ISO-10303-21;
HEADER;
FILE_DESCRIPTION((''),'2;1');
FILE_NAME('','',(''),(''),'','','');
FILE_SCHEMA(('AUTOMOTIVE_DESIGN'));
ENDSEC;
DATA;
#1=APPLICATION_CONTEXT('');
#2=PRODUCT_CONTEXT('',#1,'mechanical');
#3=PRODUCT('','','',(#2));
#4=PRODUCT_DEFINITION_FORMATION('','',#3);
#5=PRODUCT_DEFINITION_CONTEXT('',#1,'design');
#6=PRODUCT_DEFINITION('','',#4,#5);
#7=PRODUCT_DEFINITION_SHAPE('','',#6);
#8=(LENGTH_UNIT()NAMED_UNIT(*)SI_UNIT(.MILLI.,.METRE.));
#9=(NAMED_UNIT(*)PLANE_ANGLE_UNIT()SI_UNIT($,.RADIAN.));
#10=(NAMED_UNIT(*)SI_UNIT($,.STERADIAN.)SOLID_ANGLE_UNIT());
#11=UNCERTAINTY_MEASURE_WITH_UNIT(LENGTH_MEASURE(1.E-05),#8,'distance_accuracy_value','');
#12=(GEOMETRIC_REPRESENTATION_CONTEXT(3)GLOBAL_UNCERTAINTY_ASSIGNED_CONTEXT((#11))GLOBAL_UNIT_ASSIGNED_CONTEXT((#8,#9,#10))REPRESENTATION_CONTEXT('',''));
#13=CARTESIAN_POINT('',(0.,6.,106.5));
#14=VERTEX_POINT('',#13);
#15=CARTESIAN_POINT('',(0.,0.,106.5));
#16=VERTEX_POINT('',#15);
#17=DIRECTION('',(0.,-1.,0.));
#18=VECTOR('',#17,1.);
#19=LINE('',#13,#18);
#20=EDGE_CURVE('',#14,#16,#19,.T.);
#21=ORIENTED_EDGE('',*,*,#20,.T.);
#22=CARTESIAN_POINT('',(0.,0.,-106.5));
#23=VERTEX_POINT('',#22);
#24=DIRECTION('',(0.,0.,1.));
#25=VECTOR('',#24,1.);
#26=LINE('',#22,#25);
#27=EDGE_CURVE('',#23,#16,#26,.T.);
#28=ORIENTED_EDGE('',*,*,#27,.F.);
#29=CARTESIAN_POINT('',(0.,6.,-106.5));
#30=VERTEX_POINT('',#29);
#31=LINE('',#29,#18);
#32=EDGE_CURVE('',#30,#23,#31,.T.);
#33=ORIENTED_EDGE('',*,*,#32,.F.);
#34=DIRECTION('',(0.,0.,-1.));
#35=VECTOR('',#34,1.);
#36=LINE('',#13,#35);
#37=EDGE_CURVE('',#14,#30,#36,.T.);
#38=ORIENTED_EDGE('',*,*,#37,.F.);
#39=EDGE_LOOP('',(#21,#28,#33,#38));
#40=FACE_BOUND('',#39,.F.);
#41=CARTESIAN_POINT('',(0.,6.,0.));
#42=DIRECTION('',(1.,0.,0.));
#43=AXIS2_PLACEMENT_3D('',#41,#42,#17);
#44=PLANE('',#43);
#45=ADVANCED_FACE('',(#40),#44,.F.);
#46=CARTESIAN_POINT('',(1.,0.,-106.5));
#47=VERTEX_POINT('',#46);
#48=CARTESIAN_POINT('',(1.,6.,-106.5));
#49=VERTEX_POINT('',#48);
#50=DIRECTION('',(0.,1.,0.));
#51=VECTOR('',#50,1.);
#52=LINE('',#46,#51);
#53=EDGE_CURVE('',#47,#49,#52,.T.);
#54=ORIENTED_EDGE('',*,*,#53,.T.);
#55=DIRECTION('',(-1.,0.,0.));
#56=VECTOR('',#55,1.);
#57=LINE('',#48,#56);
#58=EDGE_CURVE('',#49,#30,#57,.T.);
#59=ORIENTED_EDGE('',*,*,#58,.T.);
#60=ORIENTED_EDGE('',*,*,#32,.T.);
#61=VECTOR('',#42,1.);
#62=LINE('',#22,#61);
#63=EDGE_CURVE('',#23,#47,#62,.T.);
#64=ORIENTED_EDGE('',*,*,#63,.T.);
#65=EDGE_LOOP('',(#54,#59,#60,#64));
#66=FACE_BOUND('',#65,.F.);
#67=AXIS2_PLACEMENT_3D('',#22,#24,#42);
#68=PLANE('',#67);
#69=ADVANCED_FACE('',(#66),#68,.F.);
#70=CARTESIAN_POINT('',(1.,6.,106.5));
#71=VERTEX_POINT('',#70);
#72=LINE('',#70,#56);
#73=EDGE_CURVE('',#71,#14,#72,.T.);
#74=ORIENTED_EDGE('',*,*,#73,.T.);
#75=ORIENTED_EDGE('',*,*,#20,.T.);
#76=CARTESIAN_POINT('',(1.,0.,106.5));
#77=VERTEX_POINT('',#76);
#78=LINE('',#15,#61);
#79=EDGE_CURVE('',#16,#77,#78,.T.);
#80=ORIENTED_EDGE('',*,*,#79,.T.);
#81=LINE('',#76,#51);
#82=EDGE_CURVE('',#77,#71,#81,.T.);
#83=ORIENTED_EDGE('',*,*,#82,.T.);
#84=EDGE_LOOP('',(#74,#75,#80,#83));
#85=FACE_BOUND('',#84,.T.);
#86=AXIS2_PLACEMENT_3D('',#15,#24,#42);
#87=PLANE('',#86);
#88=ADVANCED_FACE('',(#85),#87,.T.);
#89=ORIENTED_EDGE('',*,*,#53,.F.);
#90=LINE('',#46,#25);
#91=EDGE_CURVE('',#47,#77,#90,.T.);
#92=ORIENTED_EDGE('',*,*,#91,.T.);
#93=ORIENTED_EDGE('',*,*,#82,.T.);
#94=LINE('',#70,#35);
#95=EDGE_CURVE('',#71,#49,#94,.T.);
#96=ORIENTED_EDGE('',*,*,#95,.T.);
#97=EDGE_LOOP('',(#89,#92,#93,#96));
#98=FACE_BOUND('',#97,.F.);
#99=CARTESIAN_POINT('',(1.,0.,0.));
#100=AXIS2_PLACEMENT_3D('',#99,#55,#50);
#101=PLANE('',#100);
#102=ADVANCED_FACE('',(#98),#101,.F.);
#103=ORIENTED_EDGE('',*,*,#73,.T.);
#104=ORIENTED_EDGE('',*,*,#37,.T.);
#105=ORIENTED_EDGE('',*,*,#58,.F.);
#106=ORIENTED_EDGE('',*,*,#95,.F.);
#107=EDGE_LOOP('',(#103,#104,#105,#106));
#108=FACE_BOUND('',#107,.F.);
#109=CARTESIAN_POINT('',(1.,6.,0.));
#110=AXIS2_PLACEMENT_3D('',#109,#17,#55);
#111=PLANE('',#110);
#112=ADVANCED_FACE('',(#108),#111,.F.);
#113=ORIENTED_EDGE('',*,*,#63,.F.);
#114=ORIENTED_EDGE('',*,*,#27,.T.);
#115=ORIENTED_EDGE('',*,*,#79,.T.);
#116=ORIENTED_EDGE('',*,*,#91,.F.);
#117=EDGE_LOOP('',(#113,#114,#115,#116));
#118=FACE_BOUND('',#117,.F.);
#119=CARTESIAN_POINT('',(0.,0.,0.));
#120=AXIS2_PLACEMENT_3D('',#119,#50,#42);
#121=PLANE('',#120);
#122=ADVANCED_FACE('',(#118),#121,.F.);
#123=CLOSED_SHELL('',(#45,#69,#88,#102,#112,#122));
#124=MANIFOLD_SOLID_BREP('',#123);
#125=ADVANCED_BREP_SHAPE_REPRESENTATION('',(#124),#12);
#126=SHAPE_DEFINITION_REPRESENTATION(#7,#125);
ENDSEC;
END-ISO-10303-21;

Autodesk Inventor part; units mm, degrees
ref_plane "YZ Plane" through (0, 0, 0) normal (1, 0, 0) x (0, 1, 0)
ref_plane "XZ Plane" through (0, 0, 0) normal (0, 1, 0) x (-1, 0, 0)
sketch "Sketch1" plane through (0, 0, 0) normal (0, 0, 1) x (1, 0, 0)
  line L0 (0, 0) -> (1, 0)
  line L1 (1, 0) -> (1, 6)
  line L2 (1, 6) -> (0, 6)
  line L3 (0, 6) -> (0, 0)
  dimension "d0" = 1
  dimension "d1" = 6
extrude "Extrusion1" add sketch "Sketch1" along normal mid plane 213
properties part number "carbon_blade"
